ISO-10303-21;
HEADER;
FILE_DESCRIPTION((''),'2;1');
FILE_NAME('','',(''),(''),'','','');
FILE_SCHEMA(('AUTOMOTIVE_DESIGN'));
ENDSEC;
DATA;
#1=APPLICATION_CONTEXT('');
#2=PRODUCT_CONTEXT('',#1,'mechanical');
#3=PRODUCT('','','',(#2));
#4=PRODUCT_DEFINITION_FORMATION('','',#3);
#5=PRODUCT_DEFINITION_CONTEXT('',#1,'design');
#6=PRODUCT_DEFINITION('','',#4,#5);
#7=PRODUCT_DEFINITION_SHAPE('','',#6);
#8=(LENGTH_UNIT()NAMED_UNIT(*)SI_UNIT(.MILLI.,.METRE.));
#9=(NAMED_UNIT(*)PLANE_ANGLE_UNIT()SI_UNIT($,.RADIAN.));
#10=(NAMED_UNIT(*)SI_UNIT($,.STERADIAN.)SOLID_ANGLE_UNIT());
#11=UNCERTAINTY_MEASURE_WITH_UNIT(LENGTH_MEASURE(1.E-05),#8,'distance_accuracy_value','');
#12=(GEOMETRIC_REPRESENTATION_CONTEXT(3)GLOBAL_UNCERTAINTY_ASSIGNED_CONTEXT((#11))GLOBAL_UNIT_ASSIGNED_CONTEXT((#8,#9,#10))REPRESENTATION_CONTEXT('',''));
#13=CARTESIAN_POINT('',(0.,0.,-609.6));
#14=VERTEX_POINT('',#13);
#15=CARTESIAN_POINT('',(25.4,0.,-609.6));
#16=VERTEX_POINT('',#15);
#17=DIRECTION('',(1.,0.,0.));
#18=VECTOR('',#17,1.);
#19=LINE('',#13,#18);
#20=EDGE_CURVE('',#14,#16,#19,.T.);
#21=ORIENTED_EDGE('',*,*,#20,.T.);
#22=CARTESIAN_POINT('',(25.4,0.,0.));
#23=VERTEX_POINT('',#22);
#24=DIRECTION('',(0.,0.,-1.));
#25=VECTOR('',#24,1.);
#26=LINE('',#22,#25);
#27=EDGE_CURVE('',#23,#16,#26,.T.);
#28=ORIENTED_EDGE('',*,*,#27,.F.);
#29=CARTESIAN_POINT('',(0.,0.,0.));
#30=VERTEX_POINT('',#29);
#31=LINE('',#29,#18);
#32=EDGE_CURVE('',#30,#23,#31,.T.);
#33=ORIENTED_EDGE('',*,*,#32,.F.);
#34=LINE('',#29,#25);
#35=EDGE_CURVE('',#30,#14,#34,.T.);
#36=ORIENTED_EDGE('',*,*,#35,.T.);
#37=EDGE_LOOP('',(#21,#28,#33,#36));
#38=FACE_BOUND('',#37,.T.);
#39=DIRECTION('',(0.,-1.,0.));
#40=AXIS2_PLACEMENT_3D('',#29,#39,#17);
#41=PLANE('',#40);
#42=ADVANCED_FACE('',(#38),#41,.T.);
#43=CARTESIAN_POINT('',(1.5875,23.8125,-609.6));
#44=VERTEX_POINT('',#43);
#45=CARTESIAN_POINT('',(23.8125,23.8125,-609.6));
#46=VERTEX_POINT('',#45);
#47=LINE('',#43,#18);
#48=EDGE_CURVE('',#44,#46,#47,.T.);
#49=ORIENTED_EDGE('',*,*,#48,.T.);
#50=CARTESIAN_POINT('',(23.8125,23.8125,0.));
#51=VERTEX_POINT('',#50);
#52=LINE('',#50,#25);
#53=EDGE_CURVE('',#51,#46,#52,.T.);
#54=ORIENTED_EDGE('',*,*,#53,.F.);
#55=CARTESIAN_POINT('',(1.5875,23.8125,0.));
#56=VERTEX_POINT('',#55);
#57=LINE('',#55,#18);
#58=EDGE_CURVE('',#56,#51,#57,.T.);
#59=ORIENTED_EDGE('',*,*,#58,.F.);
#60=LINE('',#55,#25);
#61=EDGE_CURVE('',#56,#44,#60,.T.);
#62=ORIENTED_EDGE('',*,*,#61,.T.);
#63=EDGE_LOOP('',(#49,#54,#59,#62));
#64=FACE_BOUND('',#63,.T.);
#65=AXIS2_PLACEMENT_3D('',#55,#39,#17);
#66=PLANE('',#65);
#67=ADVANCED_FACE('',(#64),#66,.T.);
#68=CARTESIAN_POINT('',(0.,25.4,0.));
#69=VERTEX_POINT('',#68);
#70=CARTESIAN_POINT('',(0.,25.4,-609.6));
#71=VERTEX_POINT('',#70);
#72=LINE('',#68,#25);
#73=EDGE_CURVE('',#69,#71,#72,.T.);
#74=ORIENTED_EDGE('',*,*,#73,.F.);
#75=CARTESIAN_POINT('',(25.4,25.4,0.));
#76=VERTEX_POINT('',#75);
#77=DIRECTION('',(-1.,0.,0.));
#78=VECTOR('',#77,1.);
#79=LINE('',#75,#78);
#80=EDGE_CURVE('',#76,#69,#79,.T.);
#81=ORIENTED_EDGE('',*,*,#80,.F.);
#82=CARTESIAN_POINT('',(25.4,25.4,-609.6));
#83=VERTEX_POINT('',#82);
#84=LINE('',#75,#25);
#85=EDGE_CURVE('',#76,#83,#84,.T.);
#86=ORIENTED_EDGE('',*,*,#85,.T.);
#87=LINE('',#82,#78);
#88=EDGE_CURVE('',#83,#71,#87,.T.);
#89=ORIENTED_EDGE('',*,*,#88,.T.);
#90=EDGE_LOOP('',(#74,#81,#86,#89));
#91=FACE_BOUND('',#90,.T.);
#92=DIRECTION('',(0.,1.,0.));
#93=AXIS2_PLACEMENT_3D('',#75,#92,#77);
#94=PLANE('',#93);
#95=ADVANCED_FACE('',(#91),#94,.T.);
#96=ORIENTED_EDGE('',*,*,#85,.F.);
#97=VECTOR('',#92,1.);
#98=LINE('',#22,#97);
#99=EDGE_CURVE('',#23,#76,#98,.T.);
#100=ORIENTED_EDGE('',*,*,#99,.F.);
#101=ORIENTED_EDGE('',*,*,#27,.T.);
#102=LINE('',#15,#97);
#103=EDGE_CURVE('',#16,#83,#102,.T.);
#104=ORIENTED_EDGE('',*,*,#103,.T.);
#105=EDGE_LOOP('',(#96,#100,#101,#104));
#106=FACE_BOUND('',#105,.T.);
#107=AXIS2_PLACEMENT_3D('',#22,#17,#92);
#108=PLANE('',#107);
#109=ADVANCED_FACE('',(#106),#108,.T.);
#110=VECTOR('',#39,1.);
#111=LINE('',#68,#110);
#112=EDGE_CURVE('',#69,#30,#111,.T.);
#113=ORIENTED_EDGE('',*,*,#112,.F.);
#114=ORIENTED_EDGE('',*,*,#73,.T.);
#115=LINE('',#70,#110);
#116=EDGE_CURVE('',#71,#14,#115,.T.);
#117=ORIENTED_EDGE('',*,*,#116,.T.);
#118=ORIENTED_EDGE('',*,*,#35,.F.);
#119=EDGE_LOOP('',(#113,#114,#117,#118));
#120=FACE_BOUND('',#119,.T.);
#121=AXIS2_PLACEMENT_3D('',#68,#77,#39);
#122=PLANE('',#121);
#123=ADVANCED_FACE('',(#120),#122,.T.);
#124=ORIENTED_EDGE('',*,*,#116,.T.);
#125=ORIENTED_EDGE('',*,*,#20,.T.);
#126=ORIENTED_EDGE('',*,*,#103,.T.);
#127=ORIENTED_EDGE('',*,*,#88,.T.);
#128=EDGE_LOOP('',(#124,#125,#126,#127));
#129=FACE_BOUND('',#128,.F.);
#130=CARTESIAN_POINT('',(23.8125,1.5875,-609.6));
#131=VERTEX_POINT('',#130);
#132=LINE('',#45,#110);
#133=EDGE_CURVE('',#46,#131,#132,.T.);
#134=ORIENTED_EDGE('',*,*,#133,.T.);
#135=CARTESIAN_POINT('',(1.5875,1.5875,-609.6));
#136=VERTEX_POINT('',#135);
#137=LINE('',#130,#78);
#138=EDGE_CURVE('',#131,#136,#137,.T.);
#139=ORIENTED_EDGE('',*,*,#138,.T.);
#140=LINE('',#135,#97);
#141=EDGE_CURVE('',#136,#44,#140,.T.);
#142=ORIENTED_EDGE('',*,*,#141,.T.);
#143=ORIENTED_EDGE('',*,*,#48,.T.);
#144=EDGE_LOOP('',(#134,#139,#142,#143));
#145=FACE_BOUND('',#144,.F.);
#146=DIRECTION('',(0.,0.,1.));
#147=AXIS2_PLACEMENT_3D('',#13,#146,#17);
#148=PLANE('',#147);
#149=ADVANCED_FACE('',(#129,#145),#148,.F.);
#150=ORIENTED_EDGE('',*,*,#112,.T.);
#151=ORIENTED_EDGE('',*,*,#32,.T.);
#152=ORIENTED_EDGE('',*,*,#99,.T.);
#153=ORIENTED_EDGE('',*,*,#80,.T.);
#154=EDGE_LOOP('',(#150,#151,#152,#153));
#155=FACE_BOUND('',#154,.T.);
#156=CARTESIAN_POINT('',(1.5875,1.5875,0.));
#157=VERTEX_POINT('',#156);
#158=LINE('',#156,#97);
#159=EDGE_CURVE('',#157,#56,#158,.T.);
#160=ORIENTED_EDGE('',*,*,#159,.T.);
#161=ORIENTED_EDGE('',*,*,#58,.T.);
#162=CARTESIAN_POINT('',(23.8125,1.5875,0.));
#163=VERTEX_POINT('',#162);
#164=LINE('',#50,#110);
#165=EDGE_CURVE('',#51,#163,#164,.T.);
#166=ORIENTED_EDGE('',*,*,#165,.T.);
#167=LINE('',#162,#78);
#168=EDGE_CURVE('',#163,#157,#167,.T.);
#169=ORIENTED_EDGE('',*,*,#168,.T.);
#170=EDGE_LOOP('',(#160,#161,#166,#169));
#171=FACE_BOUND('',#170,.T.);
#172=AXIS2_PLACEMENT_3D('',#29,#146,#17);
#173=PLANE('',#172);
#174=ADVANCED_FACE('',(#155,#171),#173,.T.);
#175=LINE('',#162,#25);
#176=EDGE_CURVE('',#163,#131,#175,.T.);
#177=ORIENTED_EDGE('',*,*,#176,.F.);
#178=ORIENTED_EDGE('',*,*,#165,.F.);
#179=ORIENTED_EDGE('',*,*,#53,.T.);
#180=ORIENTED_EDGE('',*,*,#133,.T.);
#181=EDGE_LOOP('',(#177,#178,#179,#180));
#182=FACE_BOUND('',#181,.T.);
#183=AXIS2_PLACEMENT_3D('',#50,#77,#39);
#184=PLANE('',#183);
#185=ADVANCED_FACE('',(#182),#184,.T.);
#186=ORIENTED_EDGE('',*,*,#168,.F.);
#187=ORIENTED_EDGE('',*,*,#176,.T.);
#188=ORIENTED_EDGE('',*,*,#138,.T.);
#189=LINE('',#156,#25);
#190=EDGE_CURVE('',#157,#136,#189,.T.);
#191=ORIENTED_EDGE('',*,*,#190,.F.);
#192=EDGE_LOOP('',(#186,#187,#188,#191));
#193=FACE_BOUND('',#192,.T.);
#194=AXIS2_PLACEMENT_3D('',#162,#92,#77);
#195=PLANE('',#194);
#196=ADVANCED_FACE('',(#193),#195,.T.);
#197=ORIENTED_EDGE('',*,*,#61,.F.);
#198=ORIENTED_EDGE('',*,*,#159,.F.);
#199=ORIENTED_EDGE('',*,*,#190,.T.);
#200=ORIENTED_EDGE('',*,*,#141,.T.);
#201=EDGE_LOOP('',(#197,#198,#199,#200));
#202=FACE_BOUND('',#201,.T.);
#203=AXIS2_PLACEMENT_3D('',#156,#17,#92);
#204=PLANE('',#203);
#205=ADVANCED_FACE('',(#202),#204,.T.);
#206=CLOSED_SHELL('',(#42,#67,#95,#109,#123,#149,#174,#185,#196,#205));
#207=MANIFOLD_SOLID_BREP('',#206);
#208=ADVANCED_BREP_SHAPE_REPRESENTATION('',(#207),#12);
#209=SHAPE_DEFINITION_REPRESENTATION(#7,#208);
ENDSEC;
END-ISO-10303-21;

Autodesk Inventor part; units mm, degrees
ref_plane "YZ Plane" through (0, 0, 0) normal (1, 0, 0) x (0, 1, 0)
ref_plane "XZ Plane" through (0, 0, 0) normal (0, 1, 0) x (-1, 0, 0)
ref_plane "XY Plane" through (0, 0, 0) normal (0, 0, 1) x (1, 0, 0)
sketch "Sketch1" plane through (0, 0, 0) normal (0, 0, 1) x (1, 0, 0)
  line L0 (0, 0) -> (25.4, 0)
  line L1 (25.4, 0) -> (25.4, 25.4)
  line L2 (25.4, 25.4) -> (0, 25.4)
  line L3 (0, 25.4) -> (0, 0)
  line L4 (1.5875, 23.8125) -> (23.8125, 23.8125)
  line L5 (23.8125, 23.8125) -> (23.8125, 1.5875)
  line L6 (23.8125, 1.5875) -> (1.5875, 1.5875)
  line L7 (1.5875, 1.5875) -> (1.5875, 23.8125)
  dimension "d0" = 25.4
  dimension "d1" = 25.4
  dimension "d2" = 1.5875
extrude "Extrusion1" add sketch "Sketch1" against normal blind 609.6
properties part number "1tube_24_layer1_outside"
